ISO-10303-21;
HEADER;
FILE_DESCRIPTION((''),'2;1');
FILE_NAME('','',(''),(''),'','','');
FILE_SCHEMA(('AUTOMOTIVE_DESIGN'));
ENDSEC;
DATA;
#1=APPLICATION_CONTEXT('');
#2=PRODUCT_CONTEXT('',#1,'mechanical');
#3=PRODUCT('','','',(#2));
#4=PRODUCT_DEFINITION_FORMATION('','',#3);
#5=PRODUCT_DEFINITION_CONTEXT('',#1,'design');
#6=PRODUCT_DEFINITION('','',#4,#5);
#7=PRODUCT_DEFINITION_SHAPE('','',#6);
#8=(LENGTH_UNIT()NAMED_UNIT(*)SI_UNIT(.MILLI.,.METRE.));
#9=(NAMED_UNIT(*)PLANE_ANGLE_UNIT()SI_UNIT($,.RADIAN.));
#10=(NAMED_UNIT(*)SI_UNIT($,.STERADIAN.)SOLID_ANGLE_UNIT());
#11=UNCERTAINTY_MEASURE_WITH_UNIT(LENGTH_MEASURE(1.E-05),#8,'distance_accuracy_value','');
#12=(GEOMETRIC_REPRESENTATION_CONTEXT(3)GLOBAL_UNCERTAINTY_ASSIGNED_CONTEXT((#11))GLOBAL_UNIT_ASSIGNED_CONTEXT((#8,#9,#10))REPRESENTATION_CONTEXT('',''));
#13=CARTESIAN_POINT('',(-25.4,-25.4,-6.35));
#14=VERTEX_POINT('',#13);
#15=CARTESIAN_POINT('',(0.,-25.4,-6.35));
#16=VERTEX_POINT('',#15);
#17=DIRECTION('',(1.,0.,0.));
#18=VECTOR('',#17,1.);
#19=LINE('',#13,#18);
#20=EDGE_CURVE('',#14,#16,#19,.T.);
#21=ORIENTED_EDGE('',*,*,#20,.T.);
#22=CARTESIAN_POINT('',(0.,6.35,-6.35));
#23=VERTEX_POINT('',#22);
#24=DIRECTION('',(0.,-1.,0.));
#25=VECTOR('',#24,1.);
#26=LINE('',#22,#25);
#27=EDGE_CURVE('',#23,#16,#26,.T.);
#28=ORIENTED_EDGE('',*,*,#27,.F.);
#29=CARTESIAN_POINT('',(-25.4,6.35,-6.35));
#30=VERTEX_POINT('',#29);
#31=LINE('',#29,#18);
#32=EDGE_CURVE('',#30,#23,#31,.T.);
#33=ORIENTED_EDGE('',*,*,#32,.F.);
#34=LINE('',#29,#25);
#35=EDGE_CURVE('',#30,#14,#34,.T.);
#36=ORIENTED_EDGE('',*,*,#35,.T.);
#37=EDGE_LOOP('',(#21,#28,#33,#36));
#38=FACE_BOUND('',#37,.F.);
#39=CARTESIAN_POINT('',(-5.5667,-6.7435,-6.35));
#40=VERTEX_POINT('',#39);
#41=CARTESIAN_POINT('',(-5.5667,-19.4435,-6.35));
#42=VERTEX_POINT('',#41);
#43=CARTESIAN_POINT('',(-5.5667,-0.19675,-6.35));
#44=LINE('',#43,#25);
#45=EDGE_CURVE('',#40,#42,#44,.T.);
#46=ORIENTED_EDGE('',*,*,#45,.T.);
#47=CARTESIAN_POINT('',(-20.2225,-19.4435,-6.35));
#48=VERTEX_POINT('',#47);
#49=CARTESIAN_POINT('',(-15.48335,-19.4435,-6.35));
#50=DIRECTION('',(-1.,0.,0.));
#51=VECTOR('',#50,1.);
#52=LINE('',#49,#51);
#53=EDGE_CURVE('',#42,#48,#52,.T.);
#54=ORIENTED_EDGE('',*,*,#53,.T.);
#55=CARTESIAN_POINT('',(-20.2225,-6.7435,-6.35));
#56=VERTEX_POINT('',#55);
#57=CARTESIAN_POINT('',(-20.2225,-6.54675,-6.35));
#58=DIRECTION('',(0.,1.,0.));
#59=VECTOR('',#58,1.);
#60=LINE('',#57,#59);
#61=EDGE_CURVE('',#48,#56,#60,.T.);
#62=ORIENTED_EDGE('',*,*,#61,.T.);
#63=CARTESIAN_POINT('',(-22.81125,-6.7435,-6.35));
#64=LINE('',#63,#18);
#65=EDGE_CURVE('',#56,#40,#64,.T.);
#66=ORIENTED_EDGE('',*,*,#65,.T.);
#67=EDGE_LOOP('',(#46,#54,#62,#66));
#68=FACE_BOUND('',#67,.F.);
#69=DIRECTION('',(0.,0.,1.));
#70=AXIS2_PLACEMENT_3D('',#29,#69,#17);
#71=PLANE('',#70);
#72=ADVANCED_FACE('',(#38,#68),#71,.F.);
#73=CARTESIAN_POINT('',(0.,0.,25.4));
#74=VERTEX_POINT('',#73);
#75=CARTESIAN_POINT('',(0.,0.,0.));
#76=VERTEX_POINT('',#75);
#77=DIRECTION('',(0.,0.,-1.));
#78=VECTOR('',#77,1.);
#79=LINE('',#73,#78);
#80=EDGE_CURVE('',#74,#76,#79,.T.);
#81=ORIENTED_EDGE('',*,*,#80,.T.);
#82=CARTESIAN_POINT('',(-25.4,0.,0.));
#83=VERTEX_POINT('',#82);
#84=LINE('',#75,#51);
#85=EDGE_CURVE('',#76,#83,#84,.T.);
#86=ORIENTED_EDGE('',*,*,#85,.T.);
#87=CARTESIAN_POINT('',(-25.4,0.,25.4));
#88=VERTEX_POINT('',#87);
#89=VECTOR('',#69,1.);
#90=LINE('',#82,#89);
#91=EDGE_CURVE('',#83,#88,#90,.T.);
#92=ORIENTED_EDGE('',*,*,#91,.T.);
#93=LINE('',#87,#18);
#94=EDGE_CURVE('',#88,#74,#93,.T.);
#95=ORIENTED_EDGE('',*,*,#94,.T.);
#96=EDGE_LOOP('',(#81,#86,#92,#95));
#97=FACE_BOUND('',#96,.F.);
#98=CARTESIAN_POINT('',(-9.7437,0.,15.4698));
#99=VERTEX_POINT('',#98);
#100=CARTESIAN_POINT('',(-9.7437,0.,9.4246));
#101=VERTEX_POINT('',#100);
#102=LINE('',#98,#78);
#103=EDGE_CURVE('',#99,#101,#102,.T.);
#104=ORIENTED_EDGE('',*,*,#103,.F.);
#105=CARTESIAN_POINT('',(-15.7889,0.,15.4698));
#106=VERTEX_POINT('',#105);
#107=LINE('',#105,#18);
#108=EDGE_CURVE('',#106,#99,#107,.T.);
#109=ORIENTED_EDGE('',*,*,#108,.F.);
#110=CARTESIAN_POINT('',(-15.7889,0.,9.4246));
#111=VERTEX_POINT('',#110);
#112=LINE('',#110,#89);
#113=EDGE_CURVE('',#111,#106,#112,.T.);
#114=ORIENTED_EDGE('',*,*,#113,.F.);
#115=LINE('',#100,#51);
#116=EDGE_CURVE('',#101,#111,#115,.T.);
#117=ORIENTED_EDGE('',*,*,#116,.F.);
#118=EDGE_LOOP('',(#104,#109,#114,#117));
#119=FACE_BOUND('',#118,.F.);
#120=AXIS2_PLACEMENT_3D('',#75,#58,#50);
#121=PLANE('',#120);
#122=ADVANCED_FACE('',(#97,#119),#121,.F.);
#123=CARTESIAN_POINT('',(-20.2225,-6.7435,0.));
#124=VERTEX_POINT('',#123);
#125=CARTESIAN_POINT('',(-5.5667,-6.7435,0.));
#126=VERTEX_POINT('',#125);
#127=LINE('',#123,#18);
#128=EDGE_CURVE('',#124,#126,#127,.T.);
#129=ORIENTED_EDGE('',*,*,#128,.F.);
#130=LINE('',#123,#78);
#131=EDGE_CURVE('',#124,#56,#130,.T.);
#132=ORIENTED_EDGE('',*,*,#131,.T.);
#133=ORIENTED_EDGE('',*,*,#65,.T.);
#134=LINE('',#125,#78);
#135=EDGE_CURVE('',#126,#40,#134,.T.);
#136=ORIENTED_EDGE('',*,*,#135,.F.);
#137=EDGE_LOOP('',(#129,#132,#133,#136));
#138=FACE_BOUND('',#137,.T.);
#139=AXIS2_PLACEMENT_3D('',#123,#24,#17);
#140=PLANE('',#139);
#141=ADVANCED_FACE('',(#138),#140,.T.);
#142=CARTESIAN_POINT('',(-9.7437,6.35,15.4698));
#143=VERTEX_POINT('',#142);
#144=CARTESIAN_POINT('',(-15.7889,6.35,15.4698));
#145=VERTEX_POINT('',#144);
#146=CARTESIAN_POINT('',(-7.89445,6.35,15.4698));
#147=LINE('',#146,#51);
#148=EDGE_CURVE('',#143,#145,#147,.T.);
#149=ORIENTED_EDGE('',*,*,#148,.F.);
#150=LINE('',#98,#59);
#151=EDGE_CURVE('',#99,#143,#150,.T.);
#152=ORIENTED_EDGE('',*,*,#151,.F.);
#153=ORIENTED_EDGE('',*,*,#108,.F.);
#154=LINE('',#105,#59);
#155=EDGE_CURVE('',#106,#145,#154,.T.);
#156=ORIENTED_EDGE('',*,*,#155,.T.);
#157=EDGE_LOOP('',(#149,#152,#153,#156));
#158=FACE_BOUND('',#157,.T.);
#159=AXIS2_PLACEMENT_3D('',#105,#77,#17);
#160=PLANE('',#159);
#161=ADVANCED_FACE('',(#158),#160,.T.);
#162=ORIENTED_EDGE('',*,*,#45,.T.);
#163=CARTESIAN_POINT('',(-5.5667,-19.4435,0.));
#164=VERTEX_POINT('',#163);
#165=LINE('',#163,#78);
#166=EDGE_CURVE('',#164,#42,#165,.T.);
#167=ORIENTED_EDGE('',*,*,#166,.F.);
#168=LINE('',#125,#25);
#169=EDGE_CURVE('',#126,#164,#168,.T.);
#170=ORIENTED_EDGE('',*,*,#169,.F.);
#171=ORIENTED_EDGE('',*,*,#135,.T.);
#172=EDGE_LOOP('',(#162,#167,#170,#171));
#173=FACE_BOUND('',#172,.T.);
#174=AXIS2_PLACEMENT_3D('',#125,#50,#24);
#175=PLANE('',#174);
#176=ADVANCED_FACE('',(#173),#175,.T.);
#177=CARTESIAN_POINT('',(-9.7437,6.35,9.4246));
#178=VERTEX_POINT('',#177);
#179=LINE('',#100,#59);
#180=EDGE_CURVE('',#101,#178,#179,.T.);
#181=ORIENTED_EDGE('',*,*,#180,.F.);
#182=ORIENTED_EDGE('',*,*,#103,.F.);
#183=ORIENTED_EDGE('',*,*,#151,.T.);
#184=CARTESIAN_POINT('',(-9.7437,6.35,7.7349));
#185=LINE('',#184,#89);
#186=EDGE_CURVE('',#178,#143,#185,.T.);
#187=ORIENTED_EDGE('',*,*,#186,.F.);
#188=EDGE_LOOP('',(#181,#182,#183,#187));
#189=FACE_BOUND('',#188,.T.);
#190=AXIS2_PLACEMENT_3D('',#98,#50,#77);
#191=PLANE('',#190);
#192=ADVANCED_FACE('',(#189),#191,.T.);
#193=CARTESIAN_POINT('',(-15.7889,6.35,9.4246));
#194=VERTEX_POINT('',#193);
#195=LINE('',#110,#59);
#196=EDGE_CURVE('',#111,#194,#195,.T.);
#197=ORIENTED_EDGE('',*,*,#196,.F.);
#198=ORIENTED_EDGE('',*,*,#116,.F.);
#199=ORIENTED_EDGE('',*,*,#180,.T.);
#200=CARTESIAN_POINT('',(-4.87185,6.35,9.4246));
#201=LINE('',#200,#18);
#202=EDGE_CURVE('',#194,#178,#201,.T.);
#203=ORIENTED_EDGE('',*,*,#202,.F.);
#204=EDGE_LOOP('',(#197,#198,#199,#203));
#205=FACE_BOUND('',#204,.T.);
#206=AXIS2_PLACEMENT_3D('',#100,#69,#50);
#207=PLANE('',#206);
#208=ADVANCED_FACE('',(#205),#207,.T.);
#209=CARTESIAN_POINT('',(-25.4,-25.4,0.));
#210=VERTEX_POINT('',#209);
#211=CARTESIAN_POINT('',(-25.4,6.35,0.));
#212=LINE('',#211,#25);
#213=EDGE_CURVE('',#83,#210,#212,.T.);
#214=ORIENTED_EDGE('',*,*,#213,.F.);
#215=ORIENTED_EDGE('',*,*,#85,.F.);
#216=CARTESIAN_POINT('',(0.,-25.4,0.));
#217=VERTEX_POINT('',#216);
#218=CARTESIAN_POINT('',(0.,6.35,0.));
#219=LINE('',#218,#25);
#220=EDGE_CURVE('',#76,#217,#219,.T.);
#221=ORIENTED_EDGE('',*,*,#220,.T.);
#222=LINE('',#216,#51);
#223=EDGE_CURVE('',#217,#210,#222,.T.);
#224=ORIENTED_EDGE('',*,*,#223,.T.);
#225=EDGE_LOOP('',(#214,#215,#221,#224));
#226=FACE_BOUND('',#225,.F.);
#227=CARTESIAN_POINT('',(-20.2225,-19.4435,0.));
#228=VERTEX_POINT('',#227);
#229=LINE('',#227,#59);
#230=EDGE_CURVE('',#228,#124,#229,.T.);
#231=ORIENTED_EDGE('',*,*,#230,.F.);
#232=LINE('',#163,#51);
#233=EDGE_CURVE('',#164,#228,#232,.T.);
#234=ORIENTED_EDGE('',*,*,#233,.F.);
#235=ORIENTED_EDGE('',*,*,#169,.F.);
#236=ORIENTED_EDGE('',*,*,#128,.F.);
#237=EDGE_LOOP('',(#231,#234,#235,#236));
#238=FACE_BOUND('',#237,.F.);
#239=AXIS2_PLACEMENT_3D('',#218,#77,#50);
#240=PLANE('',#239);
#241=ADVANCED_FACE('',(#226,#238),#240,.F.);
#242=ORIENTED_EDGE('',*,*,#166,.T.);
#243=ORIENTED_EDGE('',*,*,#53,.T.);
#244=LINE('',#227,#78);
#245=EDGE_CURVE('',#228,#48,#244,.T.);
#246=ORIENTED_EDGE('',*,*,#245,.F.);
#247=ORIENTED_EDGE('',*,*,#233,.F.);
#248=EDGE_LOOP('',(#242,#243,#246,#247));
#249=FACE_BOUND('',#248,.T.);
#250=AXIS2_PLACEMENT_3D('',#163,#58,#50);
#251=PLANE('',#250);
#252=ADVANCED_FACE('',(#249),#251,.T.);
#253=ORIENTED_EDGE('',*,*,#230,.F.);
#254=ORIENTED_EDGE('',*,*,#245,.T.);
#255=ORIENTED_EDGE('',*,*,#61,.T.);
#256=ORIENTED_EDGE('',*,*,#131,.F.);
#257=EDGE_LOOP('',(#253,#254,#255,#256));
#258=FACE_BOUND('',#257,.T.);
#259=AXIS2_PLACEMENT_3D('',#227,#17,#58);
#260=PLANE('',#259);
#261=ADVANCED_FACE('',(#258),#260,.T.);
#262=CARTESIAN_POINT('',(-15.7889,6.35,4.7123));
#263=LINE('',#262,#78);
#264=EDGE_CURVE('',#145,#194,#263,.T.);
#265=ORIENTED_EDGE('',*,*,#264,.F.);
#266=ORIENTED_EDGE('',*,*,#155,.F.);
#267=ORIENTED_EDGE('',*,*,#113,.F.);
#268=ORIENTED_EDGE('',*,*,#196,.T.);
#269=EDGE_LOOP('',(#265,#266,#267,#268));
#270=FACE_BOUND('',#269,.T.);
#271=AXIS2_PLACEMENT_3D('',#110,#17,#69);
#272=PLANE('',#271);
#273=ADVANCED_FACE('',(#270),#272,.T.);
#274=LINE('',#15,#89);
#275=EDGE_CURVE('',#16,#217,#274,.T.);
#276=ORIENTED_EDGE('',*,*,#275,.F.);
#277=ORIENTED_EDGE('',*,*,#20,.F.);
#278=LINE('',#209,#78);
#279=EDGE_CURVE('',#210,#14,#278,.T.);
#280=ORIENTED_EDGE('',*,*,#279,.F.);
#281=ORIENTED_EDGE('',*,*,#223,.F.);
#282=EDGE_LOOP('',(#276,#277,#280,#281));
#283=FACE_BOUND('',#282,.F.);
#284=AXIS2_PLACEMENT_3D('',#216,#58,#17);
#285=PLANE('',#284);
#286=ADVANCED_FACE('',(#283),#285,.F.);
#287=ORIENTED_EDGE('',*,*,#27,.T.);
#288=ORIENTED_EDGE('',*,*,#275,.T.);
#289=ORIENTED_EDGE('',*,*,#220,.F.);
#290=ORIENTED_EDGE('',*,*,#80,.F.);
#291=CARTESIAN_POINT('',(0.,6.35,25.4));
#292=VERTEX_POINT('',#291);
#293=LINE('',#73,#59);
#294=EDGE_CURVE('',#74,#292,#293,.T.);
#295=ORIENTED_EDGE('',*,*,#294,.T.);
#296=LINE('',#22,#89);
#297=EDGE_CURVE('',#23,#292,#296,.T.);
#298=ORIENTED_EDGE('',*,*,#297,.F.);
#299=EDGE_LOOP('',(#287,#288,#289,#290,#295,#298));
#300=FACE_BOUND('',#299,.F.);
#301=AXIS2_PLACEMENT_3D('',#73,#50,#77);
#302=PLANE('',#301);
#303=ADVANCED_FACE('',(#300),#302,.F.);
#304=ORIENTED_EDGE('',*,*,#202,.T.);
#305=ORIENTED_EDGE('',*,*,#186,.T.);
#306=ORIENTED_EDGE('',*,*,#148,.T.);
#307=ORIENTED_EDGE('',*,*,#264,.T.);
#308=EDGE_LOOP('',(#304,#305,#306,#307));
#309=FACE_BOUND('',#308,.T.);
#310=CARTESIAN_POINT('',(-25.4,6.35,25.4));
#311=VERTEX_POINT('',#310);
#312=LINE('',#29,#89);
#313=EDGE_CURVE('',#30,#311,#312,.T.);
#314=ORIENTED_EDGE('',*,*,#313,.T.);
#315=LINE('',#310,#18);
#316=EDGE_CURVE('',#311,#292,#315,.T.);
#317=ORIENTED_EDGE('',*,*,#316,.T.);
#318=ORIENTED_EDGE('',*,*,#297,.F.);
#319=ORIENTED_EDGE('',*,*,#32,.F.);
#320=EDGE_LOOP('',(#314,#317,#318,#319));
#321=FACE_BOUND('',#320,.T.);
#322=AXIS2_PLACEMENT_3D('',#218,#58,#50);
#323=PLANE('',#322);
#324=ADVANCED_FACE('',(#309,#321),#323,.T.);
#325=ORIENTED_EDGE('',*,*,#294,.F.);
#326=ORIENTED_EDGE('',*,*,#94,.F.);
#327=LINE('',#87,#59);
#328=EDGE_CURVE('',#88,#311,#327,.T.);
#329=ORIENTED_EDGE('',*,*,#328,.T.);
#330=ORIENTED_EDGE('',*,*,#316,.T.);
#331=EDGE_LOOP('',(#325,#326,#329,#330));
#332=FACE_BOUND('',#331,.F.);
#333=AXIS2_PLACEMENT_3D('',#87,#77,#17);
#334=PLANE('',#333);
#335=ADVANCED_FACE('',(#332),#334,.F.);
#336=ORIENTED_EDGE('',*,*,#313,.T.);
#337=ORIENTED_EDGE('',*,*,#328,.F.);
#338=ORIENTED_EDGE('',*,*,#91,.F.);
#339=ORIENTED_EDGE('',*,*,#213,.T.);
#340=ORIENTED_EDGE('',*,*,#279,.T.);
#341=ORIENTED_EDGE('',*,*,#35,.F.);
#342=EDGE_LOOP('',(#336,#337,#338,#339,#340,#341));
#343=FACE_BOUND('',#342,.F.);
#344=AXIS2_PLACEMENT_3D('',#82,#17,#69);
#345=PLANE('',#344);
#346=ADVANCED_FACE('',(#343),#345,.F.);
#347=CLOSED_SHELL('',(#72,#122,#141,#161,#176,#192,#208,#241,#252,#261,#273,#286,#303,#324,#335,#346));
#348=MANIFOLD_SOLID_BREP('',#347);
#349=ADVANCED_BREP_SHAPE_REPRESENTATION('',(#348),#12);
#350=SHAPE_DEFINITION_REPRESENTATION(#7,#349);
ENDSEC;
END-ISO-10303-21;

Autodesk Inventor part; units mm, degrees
ref_plane "YZ Plane" through (0, 0, 0) normal (1, 0, 0) x (0, 1, 0)
ref_plane "XZ Plane" through (0, 0, 0) normal (0, 1, 0) x (-1, 0, 0)
ref_plane "XY Plane" through (0, 0, 0) normal (0, 0, 1) x (1, 0, 0)
sketch "Sketch1" plane through (0, 0, 0) normal (0, 1, 0) x (-1, 0, 0)
  line L0 (0, 0) -> (25.4, 0)
  line L1 (25.4, 0) -> (25.4, 25.4)
  line L2 (25.4, 25.4) -> (0, 25.4)
  line L3 (0, 25.4) -> (0, 0)
  dimension "d0" = 25.4
  dimension "d1" = 25.4
extrude "Extrusion1" add sketch "Sketch1" along normal blind 6.35
sketch "Sketch2" plane through (0, 6.35, 0) normal (0, 1, 0) x (1, 0, 0)
  line L0 (0, 0) -> (-25.4, 0) projected
  line L1 (0, 0) -> (-25.4, 0)
  line L2 (-25.4, 0) -> (-25.4, 6.35)
  line L3 (-25.4, 6.35) -> (0, 6.35)
  line L4 (0, 6.35) -> (0, 0)
  dimension "d4" = 6.35
extrude "Extrusion2" add sketch "Sketch2" against normal blind 31.75
sketch "Sketch3" plane through (-25.4, 0, 0) normal (0, 0, 1) x (1, 0, 0)
  line L0 (5.1775, -6.7435) -> (19.8333, -6.7435)
  line L1 (19.8333, -6.7435) -> (19.8333, -19.4435)
  line L2 (19.8333, -19.4435) -> (5.1775, -19.4435)
  line L3 (5.1775, -19.4435) -> (5.1775, -6.7435)
  line L4 (5.1775, -6.7435) -> (19.8333, -19.4435) construction
  line L5 (19.8333, -6.7435) -> (5.1775, -19.4435) construction
  point P0 (25.4, 0)
  point P1 (12.5054, -13.0935)
  dimension "d7" = 14.6558
  dimension "d8" = 12.7
extrude "Extrusion3" cut sketch "Sketch3" against normal blind 31.75
sketch "Sketch4" plane through (0, 0, 0) normal (0, -1, 0) x (1, 0, 0)
  line L0 (-15.7889, 15.4698) -> (-9.7437, 15.4698)
  line L1 (-9.7437, 15.4698) -> (-9.7437, 9.4246)
  line L2 (-9.7437, 9.4246) -> (-15.7889, 9.4246)
  line L3 (-15.7889, 9.4246) -> (-15.7889, 15.4698)
  line L4 (-15.7889, 15.4698) -> (-9.7437, 9.4246) construction
  line L5 (-9.7437, 15.4698) -> (-15.7889, 9.4246) construction
  point P0 (0, 0)
  point P1 (-12.7663, 12.4472)
  dimension "d11" = 6.0452
  dimension "d12" = 6.0452
extrude "Extrusion4" cut sketch "Sketch4" against normal blind 25.4
properties part number "l braket w. squares"
